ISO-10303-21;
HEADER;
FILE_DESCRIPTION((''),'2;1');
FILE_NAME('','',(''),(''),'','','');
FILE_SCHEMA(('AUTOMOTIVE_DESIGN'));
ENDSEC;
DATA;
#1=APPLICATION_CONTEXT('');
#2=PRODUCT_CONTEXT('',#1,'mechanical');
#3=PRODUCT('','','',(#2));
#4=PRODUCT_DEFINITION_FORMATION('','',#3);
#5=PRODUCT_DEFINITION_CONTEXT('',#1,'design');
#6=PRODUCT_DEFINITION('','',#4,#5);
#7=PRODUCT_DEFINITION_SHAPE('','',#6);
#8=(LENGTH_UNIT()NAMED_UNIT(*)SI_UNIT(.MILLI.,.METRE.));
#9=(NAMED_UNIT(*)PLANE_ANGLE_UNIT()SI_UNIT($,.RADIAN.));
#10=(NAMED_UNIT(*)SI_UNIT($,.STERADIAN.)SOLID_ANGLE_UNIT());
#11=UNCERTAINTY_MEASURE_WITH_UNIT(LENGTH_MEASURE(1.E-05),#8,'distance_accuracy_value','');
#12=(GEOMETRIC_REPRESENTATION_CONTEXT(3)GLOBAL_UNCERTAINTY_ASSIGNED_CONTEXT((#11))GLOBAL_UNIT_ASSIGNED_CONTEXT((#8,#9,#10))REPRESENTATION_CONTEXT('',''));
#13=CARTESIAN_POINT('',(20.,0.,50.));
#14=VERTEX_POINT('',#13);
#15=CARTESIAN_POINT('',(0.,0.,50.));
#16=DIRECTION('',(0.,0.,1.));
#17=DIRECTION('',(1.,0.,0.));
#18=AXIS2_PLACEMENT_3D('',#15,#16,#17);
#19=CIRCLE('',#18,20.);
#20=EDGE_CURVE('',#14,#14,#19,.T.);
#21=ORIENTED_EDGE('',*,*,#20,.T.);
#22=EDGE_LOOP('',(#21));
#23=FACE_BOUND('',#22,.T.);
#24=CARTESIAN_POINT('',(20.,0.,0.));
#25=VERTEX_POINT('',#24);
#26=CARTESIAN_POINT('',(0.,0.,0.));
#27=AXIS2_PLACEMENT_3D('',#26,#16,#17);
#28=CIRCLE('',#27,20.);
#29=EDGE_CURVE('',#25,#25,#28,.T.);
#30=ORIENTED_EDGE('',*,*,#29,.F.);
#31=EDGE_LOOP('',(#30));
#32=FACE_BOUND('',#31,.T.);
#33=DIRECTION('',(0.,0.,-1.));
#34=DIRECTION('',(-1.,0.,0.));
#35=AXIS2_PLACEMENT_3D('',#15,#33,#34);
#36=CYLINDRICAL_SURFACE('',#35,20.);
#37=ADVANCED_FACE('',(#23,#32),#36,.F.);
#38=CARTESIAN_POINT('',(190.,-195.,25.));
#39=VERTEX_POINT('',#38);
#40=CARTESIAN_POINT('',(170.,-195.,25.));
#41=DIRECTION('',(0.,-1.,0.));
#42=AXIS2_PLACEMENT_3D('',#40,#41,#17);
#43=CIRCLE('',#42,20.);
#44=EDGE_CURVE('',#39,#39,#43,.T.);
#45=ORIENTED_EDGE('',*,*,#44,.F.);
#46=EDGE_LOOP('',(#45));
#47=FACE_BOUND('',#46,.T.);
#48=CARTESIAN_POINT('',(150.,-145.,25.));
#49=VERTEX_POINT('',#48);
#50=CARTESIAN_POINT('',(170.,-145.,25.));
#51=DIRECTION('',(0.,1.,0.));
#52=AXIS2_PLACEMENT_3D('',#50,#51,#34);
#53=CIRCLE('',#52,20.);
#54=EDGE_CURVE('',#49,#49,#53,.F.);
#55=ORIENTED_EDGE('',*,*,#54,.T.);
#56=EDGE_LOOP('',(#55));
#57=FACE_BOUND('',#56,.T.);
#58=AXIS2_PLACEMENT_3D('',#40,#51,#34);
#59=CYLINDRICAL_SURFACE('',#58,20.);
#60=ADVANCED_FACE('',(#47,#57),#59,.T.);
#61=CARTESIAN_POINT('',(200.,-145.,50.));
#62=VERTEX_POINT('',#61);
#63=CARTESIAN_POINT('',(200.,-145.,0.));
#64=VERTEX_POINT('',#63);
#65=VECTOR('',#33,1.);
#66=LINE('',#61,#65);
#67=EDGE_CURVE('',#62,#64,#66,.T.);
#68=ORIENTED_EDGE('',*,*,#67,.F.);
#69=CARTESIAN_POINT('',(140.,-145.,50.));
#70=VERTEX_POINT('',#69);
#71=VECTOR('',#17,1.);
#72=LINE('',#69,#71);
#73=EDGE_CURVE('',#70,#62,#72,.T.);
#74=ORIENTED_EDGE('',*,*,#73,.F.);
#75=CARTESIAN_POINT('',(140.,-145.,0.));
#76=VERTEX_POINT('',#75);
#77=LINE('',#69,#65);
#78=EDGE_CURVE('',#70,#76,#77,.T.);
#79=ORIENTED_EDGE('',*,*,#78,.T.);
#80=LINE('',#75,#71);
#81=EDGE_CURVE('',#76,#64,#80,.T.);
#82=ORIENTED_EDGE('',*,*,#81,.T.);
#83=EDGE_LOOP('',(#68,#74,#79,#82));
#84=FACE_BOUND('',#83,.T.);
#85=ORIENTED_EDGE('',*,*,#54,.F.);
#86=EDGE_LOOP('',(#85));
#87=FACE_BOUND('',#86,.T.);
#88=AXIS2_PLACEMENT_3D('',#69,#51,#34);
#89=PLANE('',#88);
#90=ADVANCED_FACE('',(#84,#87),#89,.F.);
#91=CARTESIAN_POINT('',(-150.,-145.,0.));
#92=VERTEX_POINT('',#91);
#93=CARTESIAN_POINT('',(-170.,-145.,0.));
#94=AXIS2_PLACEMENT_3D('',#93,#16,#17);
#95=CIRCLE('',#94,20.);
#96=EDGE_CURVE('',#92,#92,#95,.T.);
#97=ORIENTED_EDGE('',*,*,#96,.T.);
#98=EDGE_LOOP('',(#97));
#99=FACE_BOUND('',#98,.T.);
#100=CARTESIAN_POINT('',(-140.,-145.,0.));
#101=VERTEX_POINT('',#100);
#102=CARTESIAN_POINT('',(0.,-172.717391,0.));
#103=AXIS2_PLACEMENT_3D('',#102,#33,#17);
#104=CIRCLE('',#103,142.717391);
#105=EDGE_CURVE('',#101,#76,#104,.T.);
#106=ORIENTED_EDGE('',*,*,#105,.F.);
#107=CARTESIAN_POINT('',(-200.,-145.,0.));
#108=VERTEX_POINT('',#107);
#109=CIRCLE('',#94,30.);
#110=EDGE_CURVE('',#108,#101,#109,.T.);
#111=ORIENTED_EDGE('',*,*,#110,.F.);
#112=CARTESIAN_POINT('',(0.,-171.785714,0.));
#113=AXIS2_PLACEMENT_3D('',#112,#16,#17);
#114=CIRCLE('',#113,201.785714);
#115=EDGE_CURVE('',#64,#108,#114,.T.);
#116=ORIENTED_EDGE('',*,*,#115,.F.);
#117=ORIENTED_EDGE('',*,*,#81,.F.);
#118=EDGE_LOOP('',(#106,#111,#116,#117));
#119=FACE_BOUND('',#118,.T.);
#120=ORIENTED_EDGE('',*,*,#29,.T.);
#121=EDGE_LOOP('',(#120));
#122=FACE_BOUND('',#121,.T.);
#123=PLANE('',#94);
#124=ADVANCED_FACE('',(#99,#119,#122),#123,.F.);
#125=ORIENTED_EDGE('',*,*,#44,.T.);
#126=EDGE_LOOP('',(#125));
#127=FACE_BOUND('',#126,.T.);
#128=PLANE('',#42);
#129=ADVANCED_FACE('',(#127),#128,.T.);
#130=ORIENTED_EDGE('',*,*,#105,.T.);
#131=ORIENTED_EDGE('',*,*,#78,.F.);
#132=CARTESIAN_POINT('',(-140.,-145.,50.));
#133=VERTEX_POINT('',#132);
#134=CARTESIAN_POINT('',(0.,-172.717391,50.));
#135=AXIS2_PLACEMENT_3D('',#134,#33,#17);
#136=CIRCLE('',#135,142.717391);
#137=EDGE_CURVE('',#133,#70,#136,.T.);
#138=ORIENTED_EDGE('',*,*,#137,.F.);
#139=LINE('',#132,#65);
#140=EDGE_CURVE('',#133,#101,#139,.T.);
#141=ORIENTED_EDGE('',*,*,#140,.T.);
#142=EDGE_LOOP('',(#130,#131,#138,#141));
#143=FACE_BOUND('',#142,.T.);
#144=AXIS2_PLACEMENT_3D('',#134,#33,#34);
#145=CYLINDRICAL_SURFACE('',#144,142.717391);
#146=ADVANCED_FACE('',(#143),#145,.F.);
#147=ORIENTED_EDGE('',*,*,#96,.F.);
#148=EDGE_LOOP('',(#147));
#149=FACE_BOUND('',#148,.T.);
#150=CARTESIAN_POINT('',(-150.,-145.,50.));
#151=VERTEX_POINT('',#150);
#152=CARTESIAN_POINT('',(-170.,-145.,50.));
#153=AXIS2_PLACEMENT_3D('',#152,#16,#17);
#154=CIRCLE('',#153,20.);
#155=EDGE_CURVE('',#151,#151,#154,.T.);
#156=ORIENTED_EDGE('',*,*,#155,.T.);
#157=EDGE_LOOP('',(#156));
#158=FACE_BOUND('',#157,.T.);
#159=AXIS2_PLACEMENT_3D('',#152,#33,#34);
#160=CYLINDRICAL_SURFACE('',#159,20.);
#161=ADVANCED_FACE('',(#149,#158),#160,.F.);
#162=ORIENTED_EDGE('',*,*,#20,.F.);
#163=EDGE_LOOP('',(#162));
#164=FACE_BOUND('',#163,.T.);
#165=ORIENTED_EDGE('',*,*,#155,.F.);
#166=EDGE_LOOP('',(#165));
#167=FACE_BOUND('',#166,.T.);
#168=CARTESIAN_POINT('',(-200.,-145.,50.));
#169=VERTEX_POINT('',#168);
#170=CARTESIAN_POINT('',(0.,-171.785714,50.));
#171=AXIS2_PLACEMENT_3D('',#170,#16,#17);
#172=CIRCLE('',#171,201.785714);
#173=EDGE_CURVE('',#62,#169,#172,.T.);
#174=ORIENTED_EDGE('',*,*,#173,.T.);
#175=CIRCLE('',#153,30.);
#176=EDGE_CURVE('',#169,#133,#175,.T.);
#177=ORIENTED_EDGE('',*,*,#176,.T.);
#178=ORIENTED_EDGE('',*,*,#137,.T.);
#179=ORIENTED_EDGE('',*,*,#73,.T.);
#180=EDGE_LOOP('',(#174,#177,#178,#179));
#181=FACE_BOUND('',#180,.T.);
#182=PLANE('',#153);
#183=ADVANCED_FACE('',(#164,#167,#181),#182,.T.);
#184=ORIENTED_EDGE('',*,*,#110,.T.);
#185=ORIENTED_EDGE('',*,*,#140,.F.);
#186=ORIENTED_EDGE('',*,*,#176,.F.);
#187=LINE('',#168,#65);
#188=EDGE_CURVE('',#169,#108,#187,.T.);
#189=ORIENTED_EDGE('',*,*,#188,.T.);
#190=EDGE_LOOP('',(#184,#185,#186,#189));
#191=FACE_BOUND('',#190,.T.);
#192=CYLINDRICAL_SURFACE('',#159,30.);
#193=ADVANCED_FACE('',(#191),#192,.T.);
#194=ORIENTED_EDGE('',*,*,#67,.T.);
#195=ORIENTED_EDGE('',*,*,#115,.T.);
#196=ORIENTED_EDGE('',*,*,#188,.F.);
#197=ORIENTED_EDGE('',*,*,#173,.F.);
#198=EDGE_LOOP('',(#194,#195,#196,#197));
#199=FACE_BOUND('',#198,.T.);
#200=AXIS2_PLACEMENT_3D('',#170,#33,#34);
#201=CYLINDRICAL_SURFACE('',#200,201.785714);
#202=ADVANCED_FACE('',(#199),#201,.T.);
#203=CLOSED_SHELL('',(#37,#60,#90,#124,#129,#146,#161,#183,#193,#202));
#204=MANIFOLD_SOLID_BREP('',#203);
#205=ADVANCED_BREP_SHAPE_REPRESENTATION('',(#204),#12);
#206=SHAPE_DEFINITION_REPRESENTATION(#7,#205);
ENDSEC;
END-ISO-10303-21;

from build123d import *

# Parameters (mm, degrees)
CROQUIS1_R              = 20
SALIENTE_EXTRUIR1_DEPTH = 50
CROQUIS2_R              = 20
SALIENTE_EXTRUIR2_DEPTH = 50


with BuildPart() as part:
    # Croquis1 → Saliente-Extruir1 (new body)
    with BuildSketch(Plane.XY):
        with BuildLine():
            Line((140, -145), (200, -145))
            ThreePointArc((200, -145), (0, 30), (-200, -145))
            ThreePointArc((-200, -145), (-170, -175), (-140, -145))
            ThreePointArc((-140, -145), (0, -30), (140, -145))
        make_face()
        Circle(CROQUIS1_R, mode=Mode.SUBTRACT)
        with Locations((-170, -145)):
            Circle(CROQUIS1_R, mode=Mode.SUBTRACT)
    extrude(amount=SALIENTE_EXTRUIR1_DEPTH)

    # Croquis2 → Saliente-Extruir2 (add)
    with BuildSketch(Plane.XZ.offset(145)):
        with Locations((170, 25)):
            Circle(CROQUIS2_R)
    extrude(amount=SALIENTE_EXTRUIR2_DEPTH)


solid = part.part
